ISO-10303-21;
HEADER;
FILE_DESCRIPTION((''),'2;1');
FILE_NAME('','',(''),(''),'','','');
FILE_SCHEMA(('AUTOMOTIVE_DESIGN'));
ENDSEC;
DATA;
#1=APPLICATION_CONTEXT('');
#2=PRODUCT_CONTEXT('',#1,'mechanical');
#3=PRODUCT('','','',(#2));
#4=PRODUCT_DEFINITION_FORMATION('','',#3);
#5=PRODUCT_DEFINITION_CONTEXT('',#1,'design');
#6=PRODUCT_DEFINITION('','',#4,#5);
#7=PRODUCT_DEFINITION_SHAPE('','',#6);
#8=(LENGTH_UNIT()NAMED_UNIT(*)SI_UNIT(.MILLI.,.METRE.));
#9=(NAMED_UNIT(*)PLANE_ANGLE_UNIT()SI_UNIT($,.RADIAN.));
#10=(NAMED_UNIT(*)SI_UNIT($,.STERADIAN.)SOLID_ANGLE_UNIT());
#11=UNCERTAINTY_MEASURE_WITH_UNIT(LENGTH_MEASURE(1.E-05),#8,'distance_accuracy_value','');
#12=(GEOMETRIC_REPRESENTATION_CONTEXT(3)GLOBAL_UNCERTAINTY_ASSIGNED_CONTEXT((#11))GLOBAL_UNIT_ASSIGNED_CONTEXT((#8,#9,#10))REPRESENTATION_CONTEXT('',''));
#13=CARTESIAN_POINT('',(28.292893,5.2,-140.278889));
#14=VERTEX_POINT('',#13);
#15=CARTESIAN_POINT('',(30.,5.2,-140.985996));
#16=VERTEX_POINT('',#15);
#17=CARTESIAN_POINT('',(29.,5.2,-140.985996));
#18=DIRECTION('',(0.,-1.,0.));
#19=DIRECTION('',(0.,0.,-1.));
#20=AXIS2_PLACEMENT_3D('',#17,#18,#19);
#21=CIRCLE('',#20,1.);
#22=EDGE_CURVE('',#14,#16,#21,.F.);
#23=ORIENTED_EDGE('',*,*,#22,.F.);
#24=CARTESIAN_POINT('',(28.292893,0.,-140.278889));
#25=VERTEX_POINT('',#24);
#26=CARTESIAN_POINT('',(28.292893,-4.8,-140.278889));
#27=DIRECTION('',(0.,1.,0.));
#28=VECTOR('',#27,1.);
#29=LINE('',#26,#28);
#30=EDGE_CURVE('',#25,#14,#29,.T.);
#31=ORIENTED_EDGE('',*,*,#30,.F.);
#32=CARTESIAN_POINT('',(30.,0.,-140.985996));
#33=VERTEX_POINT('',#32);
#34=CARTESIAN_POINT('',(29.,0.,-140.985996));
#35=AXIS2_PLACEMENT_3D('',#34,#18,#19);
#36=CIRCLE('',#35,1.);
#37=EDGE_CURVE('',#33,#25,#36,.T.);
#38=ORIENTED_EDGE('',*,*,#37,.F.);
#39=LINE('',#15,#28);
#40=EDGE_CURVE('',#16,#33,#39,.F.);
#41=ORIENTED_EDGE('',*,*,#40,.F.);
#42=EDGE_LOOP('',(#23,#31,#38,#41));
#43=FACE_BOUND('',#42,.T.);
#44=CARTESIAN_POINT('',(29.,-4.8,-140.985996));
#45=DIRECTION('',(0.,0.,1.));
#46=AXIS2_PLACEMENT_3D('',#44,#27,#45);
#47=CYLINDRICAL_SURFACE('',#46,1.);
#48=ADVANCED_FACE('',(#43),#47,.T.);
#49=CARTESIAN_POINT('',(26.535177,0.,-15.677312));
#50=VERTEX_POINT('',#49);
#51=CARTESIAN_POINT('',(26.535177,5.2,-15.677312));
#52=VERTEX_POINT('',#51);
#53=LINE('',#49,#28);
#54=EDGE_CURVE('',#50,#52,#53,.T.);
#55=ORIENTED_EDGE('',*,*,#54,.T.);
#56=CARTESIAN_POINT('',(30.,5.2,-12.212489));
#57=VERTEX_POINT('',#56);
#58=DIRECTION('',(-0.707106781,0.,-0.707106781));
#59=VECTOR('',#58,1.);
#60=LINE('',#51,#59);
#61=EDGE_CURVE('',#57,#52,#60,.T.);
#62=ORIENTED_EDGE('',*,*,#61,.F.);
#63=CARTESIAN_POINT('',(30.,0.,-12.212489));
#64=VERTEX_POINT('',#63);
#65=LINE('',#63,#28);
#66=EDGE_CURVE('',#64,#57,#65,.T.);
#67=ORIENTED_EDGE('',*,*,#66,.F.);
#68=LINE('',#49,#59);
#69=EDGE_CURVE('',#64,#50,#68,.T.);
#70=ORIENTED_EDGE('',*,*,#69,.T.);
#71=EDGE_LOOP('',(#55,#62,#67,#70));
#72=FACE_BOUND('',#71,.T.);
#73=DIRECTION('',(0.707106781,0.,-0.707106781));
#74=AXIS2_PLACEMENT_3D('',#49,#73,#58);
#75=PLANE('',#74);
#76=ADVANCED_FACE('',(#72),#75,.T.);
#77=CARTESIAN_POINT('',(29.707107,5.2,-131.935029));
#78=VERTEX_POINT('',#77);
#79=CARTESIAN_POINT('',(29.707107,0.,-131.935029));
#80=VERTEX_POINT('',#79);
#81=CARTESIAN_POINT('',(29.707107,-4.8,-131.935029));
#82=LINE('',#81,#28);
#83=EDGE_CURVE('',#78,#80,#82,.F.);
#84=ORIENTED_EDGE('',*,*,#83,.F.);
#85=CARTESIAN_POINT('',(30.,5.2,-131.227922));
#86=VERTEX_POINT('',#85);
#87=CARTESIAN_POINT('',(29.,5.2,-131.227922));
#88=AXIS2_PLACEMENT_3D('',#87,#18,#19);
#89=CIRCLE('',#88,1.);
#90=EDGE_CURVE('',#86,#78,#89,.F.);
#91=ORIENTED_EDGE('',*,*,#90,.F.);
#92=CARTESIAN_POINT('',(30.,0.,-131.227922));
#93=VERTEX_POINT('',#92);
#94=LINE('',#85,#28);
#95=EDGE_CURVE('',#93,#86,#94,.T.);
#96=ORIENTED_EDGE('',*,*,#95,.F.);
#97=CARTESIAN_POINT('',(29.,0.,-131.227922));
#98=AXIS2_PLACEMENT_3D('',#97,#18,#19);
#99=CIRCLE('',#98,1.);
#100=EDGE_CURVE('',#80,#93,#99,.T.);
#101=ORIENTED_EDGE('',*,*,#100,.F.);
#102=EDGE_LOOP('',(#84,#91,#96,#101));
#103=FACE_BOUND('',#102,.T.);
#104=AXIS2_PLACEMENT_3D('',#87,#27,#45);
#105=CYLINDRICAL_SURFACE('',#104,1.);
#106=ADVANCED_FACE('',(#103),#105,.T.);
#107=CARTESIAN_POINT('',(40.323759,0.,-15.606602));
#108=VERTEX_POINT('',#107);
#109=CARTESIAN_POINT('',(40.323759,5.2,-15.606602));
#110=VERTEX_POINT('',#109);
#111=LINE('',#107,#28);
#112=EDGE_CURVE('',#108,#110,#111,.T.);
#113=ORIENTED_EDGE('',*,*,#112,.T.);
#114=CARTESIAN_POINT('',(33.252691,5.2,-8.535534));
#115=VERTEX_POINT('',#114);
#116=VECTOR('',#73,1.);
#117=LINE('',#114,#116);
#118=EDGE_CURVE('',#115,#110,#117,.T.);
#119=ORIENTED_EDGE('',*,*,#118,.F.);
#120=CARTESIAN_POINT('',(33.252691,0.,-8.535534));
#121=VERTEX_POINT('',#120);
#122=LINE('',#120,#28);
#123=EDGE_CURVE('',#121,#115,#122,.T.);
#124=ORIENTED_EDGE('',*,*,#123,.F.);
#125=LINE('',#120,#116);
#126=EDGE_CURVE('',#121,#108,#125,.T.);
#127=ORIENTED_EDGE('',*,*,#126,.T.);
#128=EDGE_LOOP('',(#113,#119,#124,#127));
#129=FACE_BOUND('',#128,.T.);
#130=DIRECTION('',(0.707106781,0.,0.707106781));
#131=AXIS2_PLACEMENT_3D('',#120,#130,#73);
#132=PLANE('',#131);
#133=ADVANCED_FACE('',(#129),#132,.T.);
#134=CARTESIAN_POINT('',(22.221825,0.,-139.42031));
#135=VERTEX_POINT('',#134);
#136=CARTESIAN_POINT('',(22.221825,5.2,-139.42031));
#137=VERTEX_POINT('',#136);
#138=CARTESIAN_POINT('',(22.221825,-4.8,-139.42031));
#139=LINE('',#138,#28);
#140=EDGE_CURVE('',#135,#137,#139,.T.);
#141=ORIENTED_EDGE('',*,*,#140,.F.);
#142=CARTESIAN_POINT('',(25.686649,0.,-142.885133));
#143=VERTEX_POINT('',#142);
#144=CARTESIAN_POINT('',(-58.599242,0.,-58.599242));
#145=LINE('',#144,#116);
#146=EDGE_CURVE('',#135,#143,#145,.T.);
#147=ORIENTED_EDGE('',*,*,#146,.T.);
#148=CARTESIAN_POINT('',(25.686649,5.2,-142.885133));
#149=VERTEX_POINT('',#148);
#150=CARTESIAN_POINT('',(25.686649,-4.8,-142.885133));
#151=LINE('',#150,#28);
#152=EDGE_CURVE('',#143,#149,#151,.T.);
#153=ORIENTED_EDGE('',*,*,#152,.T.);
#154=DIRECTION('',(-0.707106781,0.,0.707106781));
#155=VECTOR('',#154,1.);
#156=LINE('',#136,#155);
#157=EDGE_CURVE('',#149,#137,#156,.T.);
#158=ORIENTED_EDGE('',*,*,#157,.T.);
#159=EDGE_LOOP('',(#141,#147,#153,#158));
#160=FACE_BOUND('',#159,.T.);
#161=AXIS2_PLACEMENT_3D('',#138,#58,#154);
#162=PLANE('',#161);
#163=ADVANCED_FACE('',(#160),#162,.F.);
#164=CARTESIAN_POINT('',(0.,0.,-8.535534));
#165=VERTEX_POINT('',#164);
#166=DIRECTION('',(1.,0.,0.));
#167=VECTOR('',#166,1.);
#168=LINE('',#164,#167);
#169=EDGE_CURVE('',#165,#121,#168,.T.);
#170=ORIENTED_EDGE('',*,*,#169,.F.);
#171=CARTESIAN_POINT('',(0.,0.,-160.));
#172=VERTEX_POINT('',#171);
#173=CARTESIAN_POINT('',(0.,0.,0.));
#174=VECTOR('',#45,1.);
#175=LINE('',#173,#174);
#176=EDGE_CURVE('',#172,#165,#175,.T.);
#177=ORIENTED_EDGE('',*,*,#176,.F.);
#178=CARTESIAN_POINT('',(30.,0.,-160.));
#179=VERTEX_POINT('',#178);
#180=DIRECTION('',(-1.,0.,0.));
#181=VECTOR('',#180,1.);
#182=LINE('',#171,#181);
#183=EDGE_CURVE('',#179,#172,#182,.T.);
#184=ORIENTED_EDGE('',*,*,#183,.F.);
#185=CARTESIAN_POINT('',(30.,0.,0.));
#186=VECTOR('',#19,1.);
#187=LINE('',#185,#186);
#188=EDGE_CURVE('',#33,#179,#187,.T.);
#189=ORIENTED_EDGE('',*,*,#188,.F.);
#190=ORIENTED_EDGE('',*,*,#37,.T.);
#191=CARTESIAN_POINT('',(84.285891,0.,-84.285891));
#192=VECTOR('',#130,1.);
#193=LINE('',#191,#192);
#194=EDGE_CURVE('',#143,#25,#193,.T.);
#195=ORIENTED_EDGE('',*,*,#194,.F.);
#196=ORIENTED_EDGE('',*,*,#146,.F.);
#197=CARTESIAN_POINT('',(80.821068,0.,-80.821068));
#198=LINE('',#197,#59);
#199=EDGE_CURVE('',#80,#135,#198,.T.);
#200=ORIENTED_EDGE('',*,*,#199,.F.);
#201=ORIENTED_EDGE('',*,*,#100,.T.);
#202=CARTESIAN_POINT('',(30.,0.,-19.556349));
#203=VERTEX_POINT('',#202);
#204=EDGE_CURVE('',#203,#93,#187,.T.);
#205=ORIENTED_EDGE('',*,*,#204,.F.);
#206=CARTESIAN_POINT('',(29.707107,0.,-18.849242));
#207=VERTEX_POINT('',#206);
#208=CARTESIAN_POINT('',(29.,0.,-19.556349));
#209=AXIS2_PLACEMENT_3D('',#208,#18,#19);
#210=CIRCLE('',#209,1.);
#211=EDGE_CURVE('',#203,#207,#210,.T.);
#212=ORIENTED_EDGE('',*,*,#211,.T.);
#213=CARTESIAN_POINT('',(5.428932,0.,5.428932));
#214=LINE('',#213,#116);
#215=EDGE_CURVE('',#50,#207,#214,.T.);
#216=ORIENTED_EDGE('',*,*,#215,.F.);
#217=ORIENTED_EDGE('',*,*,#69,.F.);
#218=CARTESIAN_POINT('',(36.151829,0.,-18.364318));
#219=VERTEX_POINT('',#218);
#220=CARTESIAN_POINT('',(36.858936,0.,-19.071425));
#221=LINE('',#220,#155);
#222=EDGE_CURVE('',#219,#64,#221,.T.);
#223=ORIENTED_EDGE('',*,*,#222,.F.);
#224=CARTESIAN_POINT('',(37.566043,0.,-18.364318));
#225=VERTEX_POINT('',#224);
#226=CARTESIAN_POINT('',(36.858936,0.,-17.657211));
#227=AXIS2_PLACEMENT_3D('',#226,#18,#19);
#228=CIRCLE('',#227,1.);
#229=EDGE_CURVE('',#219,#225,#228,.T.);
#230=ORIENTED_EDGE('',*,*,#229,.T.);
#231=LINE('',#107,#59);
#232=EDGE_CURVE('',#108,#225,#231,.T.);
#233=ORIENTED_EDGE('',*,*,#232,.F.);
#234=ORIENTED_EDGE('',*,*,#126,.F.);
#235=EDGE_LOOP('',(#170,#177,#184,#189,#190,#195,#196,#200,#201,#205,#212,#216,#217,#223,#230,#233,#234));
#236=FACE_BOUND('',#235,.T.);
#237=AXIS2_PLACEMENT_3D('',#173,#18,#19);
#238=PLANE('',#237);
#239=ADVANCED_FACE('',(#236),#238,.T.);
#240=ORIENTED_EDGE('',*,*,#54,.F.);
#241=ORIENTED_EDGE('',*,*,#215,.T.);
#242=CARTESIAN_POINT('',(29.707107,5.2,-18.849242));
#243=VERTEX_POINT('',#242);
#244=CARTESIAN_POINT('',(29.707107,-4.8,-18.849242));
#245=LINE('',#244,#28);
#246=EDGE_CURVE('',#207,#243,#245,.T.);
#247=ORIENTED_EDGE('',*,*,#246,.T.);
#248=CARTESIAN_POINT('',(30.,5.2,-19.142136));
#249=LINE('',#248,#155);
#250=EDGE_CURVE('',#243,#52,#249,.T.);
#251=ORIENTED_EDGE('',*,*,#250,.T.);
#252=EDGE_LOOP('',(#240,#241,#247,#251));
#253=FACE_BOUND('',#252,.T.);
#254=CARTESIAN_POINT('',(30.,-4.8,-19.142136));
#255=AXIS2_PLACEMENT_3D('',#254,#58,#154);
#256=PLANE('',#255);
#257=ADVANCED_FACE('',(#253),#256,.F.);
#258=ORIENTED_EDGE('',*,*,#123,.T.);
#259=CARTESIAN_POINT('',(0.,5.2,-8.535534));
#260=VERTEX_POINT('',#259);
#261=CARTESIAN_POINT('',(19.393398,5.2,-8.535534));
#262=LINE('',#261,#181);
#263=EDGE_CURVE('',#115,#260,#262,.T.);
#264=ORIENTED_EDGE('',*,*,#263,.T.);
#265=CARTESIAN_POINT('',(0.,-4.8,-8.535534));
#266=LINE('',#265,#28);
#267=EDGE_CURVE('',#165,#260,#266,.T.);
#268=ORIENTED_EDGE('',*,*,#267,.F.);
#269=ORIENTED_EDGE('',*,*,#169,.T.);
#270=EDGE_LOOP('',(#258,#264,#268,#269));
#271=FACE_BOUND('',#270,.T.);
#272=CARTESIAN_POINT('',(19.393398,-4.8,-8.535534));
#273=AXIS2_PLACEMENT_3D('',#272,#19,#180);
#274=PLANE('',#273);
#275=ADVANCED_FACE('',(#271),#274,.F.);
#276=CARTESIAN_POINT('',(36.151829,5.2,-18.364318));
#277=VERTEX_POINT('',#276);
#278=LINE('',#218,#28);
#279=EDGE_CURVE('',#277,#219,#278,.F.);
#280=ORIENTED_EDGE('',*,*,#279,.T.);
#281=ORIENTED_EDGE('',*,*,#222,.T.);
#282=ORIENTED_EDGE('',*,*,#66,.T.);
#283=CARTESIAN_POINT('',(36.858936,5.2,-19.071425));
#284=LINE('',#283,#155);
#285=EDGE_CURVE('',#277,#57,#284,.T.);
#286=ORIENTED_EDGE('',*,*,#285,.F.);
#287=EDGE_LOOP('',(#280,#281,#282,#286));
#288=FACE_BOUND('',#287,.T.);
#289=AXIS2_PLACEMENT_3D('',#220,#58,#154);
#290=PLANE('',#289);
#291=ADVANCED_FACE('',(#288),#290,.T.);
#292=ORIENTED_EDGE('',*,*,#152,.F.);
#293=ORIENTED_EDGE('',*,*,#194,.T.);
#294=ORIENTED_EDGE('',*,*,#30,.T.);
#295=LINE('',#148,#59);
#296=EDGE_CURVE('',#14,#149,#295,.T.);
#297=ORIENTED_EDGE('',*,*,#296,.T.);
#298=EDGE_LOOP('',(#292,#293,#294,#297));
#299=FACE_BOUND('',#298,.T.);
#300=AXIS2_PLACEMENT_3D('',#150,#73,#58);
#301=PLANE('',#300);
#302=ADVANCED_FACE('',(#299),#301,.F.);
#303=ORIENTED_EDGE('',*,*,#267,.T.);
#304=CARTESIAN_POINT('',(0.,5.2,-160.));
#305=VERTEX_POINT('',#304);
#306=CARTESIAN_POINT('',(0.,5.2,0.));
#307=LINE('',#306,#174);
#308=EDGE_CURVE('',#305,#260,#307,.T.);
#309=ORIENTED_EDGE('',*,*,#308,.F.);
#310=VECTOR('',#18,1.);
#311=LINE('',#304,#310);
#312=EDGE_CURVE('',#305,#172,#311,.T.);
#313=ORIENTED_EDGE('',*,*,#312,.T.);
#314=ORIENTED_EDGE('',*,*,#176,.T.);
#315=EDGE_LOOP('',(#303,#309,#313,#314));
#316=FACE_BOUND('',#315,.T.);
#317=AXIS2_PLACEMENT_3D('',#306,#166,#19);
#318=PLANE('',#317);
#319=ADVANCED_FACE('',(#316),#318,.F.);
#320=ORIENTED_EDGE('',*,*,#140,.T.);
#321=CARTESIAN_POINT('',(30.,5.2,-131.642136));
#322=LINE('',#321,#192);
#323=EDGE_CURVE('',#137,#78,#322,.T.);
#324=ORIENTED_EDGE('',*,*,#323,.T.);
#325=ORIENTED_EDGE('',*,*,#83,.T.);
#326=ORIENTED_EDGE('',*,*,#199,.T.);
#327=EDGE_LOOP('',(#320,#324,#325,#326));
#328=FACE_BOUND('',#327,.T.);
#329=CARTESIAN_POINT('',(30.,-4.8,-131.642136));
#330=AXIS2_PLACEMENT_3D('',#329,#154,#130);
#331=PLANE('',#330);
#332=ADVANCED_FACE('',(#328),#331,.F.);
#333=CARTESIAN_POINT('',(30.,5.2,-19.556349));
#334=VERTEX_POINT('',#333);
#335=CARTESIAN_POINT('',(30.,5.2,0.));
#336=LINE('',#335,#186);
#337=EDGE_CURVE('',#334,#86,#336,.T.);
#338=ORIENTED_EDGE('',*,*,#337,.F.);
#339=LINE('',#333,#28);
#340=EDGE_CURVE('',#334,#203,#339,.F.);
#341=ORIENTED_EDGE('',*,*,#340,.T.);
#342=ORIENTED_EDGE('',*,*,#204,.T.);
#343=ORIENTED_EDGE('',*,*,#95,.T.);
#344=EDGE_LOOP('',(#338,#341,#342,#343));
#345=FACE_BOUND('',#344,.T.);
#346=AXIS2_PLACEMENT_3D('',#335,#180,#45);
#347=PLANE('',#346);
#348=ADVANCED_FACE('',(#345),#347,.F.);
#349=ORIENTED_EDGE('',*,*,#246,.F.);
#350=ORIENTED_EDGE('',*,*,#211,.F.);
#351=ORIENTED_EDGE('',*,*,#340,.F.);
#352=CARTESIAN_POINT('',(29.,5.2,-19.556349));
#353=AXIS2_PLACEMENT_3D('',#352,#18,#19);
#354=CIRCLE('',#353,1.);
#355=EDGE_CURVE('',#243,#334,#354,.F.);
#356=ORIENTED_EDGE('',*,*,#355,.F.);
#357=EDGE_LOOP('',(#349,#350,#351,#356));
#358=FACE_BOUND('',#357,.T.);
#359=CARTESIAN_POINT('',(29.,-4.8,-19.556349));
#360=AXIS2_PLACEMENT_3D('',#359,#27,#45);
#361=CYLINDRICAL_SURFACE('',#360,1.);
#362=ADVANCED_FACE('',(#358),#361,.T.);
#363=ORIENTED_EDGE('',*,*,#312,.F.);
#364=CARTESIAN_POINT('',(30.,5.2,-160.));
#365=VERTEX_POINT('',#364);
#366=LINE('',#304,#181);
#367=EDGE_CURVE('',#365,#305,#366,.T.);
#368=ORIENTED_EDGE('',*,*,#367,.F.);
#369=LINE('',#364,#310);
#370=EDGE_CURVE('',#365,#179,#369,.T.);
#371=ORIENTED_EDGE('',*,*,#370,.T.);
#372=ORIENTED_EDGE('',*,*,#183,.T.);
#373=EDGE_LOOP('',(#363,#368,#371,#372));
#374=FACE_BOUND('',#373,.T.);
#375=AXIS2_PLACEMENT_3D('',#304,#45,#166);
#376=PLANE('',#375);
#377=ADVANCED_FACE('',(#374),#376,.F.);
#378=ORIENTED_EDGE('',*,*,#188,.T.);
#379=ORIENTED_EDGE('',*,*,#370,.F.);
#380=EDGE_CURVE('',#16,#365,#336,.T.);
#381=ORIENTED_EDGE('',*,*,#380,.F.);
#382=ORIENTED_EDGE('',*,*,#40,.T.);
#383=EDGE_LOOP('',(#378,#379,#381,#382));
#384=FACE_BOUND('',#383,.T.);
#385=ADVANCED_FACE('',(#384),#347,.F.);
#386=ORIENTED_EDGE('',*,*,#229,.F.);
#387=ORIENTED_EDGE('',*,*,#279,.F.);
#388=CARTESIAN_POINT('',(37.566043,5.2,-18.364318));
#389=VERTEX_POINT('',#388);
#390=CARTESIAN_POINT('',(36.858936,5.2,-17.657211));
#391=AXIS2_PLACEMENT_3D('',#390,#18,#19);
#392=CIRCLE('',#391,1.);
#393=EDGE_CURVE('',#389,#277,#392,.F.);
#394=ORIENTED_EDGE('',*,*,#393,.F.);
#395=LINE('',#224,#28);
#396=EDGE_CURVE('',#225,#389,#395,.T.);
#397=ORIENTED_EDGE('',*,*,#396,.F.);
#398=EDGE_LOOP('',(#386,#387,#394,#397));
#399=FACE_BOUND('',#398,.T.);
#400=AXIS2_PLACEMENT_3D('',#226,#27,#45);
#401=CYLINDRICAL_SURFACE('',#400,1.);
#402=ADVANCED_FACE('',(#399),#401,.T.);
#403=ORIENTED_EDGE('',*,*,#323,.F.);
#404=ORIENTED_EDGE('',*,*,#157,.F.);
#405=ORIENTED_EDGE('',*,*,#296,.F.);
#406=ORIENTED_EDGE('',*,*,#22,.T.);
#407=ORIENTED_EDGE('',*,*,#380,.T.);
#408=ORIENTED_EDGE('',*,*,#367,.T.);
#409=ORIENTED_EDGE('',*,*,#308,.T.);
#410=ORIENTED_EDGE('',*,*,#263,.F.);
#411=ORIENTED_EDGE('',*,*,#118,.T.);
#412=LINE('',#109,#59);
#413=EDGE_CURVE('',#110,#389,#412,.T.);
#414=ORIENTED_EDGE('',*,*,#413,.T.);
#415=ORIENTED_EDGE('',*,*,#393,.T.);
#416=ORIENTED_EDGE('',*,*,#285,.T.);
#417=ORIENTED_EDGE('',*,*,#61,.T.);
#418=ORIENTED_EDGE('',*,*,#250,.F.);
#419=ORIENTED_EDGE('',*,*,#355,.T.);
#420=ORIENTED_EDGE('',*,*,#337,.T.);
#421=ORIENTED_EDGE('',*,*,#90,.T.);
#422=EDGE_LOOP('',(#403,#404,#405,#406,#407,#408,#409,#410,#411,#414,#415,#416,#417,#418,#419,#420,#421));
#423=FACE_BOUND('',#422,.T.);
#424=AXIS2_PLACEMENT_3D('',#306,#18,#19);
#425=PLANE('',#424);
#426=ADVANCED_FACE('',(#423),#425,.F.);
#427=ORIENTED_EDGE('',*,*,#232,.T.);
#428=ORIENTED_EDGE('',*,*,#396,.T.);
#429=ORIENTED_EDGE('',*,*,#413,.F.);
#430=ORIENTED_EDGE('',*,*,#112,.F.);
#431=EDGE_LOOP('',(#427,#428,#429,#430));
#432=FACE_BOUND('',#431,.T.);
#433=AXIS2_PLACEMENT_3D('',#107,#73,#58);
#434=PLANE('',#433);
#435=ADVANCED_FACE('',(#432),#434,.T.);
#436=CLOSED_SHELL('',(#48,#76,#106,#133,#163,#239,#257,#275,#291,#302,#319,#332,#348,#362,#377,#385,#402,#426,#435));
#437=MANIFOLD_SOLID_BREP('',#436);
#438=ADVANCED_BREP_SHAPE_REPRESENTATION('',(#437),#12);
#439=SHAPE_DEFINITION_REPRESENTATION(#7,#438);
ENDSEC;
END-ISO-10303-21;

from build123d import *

# Parameters (mm, degrees)
SKETCH1_W           = 30
SKETCH1_H           = 160
BOSS_EXTRUDE1_DEPTH = 5.2
CUT_EXTRUDE1_DEPTH  = 10
FILLET1_R           = 1
BOSS_EXTRUDE2_DEPTH = 5.2
FILLET2_R           = 1


with BuildPart() as part:
    # Sketch1 → Boss-Extrude1 (new body)
    with BuildSketch(Plane(origin=(0, 0, 0), x_dir=(1, 0, 0), z_dir=(0, 1, 0))):
        with Locations((15, 80)):
            Rectangle(SKETCH1_W, SKETCH1_H)
    extrude(amount=BOSS_EXTRUDE1_DEPTH)

    # Sketch2 → Cut-Extrude1 (cut)
    with BuildSketch(Plane(origin=(0, 5.2, 0), x_dir=(1, 0, 0), z_dir=(0, 1, 0))):
        Polygon((30, 131.642135624), (22.221825407, 139.420310217), (25.686648635, 142.885133445), (30, 138.571782079), align=None)
        Polygon((30, 19.142135624), (19.393398282, 8.535533906), (0, 8.535533906), (0, 0), (30, 0), align=None)
    extrude(amount=-CUT_EXTRUDE1_DEPTH, mode=Mode.SUBTRACT)

    # Fillet1
    fillet1_edges = [part.edges().sort_by_distance(p)[0] for p in [
        (30, 2.6, -138.571782079),
        (30, 2.6, -131.642135624),
    ]]
    fillet(fillet1_edges, radius=FILLET1_R)

    # Sketch3 → Boss-Extrude2 (add)
    with BuildSketch(Plane(origin=(0, 5.2, 0), x_dir=(1, 0, 0), z_dir=(0, 1, 0))):
        Polygon((26.535176772, 15.677312396), (30, 12.212489168), (36.858935778, 19.071424946), (40.323759005, 15.606601718), (33.252691193, 8.535533906), (19.393398282, 8.535533906), align=None)
    extrude(amount=-BOSS_EXTRUDE2_DEPTH)

    # Fillet2
    fillet2_edges = [part.edges().sort_by_distance(p)[0] for p in [
        (30, 2.6, -19.142135624),
        (36.858935778, 2.6, -19.071424946),
    ]]
    fillet(fillet2_edges, radius=FILLET2_R)


solid = part.part
